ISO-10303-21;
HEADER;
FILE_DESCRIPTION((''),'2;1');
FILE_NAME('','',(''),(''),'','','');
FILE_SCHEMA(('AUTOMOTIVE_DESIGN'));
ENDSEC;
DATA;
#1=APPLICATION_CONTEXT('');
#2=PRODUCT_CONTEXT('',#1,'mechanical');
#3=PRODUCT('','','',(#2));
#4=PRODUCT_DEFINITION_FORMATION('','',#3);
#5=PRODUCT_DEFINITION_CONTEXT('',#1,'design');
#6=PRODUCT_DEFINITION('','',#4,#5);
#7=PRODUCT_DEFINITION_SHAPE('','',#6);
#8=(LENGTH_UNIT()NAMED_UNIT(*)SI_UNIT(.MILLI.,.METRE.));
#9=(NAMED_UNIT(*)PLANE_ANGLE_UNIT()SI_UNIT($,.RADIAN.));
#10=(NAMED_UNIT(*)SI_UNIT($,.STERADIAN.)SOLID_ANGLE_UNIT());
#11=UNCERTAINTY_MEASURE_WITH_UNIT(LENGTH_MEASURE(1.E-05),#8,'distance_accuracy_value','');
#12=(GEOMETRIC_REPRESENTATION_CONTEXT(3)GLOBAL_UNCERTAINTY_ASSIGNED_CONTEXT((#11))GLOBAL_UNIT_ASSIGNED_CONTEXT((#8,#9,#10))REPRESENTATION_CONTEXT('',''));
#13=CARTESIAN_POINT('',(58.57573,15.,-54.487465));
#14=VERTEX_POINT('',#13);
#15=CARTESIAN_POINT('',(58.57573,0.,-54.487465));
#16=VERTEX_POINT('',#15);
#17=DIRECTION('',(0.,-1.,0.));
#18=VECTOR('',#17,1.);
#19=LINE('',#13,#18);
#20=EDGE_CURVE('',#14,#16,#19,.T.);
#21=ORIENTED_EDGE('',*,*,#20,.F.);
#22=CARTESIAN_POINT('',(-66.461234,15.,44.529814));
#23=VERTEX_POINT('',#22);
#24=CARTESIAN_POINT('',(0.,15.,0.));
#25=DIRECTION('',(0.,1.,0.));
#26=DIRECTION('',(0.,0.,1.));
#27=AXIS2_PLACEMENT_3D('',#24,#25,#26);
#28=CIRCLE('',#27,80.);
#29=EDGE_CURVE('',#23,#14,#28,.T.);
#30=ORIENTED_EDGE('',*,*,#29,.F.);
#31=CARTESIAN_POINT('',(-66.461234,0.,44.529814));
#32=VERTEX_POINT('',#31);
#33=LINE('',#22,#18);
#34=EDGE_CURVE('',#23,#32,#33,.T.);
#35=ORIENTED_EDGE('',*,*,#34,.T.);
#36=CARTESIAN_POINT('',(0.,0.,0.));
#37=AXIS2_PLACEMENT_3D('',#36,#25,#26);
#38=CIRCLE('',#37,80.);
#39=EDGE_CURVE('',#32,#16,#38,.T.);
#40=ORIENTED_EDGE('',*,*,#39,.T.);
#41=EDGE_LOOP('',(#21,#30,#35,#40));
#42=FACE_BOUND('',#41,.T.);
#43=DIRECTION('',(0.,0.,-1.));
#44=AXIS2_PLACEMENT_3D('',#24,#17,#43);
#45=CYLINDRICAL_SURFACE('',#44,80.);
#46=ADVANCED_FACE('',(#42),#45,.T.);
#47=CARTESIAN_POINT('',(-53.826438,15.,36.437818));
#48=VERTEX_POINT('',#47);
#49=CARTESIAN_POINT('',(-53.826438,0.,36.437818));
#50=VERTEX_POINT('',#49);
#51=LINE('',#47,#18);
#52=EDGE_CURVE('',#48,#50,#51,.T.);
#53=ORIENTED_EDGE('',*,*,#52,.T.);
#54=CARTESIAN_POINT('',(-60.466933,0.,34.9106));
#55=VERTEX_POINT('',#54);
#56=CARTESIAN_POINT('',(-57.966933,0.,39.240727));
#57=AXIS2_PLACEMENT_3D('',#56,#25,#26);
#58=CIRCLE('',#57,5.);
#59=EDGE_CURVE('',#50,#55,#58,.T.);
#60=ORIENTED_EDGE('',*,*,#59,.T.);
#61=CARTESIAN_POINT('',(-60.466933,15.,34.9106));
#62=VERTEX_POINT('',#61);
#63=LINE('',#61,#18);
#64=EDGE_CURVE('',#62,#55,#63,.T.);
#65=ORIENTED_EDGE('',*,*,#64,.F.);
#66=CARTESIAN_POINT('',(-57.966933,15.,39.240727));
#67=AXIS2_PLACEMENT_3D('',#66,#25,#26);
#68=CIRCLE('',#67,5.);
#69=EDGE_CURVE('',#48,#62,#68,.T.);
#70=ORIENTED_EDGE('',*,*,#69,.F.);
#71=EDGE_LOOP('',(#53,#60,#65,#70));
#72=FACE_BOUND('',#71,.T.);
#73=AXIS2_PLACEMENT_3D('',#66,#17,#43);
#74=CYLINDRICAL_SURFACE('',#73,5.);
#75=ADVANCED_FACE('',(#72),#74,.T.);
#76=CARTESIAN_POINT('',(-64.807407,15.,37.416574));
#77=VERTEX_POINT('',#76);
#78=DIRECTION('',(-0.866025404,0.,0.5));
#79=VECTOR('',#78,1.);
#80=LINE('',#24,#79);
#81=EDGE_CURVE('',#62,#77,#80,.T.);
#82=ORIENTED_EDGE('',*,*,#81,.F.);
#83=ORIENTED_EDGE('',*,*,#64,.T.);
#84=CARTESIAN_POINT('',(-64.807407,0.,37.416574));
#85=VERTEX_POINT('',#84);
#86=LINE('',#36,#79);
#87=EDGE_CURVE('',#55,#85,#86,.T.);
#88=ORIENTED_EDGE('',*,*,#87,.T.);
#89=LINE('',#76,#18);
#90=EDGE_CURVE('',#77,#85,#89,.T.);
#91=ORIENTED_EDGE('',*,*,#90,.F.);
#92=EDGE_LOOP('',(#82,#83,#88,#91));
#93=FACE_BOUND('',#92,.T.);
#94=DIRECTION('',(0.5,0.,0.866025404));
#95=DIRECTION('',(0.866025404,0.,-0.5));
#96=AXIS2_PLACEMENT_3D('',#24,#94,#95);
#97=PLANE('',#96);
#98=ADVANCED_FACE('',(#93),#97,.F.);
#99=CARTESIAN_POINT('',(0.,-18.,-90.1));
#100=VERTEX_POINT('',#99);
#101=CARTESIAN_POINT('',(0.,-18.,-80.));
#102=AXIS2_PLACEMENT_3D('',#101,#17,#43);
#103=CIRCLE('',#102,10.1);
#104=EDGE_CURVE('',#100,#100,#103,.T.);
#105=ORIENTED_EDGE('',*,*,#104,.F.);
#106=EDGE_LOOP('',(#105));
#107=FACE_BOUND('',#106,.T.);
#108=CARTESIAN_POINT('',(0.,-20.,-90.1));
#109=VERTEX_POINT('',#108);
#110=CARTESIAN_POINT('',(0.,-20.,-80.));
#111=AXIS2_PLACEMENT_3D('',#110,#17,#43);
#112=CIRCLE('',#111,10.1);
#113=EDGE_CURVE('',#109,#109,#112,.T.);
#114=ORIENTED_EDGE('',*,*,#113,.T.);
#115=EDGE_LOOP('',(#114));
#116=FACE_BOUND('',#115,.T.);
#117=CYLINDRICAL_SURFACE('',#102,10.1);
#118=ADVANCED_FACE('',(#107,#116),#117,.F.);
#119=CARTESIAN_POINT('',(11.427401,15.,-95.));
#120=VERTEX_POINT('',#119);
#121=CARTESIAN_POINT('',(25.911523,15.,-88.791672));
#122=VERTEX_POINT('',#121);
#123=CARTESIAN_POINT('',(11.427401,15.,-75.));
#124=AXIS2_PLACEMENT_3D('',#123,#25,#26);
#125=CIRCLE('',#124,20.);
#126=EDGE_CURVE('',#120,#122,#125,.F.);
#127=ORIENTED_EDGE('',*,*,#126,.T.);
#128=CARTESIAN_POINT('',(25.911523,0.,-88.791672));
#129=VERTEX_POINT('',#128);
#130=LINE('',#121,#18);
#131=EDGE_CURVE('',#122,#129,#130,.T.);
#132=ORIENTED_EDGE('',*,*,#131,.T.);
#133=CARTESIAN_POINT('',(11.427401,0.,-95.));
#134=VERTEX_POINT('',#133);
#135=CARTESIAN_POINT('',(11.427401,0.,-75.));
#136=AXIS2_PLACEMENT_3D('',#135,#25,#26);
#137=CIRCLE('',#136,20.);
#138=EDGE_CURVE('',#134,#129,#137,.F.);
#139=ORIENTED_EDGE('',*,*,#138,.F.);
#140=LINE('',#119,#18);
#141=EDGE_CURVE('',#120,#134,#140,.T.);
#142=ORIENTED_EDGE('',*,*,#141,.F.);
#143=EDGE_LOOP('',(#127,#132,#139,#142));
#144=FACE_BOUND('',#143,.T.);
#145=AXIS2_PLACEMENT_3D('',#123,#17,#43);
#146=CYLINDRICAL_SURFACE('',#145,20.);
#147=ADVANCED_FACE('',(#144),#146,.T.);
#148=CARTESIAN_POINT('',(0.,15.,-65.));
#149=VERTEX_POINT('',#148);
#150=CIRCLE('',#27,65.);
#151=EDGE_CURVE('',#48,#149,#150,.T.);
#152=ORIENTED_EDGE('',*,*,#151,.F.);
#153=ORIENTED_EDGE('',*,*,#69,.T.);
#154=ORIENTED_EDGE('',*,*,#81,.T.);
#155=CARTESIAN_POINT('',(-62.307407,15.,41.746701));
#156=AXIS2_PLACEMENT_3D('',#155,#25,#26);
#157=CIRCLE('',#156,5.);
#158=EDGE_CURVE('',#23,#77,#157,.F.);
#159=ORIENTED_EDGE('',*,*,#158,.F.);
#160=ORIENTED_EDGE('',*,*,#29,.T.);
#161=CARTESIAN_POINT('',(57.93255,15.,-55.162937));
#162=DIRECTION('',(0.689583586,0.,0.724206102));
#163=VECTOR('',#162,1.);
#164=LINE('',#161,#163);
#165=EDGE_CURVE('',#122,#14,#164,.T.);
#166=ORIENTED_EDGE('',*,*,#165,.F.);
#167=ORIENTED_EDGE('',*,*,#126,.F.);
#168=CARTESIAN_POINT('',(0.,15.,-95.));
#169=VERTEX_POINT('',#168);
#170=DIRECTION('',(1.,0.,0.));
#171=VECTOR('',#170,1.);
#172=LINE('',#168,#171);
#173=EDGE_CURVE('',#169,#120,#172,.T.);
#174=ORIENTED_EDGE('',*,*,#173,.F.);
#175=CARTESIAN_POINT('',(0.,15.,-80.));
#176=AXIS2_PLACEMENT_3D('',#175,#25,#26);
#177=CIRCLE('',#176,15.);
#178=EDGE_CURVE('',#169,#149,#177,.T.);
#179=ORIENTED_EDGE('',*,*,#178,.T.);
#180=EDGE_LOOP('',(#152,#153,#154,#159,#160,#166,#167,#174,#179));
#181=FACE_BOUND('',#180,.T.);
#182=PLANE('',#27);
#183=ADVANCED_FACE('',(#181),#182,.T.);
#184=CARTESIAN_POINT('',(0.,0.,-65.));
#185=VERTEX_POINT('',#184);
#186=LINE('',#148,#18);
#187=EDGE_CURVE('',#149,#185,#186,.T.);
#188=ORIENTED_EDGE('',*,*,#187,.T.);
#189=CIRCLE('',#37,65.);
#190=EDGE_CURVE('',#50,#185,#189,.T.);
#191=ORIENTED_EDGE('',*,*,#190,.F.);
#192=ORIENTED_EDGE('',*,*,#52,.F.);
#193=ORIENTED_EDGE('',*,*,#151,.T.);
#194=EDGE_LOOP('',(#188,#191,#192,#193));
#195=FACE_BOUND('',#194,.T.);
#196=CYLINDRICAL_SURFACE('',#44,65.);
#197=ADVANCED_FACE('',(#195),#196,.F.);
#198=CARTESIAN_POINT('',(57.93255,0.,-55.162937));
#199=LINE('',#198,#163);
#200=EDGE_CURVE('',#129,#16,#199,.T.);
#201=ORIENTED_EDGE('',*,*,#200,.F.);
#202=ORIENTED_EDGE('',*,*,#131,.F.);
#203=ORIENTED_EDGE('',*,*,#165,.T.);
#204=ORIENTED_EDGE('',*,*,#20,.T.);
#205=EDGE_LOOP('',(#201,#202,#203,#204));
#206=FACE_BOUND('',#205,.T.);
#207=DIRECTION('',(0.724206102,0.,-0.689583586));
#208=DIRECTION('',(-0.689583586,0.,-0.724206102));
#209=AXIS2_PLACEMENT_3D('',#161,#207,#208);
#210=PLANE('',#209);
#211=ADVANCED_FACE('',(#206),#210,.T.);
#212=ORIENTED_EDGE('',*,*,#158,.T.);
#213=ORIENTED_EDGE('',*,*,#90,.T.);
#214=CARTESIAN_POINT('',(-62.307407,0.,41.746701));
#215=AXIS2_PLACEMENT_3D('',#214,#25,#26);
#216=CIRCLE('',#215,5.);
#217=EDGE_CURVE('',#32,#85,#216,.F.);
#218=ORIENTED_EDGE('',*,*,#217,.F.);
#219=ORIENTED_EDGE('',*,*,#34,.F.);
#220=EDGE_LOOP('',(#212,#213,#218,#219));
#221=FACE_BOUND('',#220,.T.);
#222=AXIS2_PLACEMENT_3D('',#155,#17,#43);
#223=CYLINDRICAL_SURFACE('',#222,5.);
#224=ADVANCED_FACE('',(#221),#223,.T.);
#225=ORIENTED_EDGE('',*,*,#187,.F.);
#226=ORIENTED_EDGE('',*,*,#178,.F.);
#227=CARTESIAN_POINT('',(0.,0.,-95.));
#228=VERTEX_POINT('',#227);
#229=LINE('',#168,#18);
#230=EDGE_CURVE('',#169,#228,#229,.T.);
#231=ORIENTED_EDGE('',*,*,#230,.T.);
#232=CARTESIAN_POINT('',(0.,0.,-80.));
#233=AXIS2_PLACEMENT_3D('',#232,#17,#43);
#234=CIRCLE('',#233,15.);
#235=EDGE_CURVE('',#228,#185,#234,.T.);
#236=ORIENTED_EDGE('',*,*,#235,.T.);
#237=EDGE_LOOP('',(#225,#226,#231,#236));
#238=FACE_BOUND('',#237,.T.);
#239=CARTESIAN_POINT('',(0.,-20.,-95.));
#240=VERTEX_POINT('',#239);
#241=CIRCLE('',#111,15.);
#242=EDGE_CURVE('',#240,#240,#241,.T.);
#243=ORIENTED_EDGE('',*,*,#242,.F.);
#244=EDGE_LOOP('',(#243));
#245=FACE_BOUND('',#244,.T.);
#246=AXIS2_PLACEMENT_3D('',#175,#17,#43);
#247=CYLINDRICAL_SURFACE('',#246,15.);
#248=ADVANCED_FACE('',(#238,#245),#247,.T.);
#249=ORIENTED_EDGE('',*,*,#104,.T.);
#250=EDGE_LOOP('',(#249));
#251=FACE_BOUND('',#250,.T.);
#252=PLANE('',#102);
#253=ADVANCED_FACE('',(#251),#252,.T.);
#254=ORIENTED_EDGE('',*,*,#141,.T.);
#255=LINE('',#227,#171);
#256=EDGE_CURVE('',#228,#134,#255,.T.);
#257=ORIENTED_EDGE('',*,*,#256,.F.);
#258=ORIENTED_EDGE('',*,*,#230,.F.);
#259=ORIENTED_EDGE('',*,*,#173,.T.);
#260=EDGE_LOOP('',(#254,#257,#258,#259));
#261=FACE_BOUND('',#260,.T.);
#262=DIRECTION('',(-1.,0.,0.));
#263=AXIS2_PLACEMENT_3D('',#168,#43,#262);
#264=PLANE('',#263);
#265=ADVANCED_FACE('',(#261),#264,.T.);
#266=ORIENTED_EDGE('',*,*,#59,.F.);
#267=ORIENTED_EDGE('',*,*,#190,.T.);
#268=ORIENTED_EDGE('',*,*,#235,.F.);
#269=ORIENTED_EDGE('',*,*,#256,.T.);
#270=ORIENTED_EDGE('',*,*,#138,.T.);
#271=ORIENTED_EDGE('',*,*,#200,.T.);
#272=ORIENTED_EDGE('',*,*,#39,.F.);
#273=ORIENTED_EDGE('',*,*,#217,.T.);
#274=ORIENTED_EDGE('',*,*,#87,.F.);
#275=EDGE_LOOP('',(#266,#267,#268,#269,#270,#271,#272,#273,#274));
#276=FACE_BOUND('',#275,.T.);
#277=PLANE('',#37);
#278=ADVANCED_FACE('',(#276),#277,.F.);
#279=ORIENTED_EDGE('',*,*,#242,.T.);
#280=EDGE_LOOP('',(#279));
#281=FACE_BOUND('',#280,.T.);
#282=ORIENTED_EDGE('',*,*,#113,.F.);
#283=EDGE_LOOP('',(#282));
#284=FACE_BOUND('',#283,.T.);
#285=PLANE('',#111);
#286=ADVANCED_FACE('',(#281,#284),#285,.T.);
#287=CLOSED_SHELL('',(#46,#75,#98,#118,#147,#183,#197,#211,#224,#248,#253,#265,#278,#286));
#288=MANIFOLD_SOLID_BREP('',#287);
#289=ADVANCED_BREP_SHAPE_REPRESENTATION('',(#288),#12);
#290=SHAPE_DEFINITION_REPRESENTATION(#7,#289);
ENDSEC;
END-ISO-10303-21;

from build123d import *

# Parameters (mm, degrees)
EXTRUDE_4_DEPTH     = 15
EXTRUDE_START       = 20
SKETCH_4_R          = 15
EXTRUDE_5_DEPTH     = 20
SKETCH_5_R          = 10.1
CUT_EXTRUDE_1_DEPTH = 2


with BuildPart() as part:
    # ｽｹｯﾁ2 → ﾎﾞｽ - 押し出し4 (new body)
    with BuildSketch(Plane(origin=(0, 0, 0), x_dir=(1, 0, 0), z_dir=(0, 1, 0))):
        with BuildLine():
            ThreePointArc((-53.82643789, -36.437818048), (-56.846261527, -34.367935813), (-60.466933112, -34.910600109))
            Line((-60.466933112, -34.910600109), (-64.807406984, -37.416573868))
            ThreePointArc((-64.807406984, -37.416573868), (-67.177509772, -40.614402853), (-66.461234116, -44.529814279))
            ThreePointArc((-66.461234116, -44.529814279), (49.665387485, -62.716419588), (58.57572973, 54.487465409))
            Line((58.57572973, 54.487465409), (57.289371136, 55.838409315))
            Line((57.289371136, 55.838409315), (25.911523347, 88.791671712))
            ThreePointArc((25.911523347, 88.791671712), (19.306695871, 93.382511176), (11.427401304, 95))
            Line((11.427401304, 95), (0, 95))
            ThreePointArc((0, 95), (-15, 80), (0, 65))
            ThreePointArc((0, 65), (57.41714976, -30.467538684), (-53.82643789, -36.437818048))
        make_face()
    extrude(amount=EXTRUDE_4_DEPTH)

    # ｽｹｯﾁ4 → ﾎﾞｽ - 押し出し5 (add)
    with BuildSketch(Plane.XZ.offset(EXTRUDE_START)):
        with Locations(Location((0, -80, 0), (0, 0, 270))):
            Circle(SKETCH_4_R)
    extrude(amount=-EXTRUDE_5_DEPTH)

    # ｽｹｯﾁ5 → ｶｯﾄ - 押し出し1 (cut)
    with BuildSketch(Plane(origin=(0, -20, 0), x_dir=(-1, 0, 0), z_dir=(0, -1, 0))):
        with Locations(Location((0, 80, 0), (0, 0, 90))):
            Circle(SKETCH_5_R)
    extrude(amount=-CUT_EXTRUDE_1_DEPTH, mode=Mode.SUBTRACT)


solid = part.part
